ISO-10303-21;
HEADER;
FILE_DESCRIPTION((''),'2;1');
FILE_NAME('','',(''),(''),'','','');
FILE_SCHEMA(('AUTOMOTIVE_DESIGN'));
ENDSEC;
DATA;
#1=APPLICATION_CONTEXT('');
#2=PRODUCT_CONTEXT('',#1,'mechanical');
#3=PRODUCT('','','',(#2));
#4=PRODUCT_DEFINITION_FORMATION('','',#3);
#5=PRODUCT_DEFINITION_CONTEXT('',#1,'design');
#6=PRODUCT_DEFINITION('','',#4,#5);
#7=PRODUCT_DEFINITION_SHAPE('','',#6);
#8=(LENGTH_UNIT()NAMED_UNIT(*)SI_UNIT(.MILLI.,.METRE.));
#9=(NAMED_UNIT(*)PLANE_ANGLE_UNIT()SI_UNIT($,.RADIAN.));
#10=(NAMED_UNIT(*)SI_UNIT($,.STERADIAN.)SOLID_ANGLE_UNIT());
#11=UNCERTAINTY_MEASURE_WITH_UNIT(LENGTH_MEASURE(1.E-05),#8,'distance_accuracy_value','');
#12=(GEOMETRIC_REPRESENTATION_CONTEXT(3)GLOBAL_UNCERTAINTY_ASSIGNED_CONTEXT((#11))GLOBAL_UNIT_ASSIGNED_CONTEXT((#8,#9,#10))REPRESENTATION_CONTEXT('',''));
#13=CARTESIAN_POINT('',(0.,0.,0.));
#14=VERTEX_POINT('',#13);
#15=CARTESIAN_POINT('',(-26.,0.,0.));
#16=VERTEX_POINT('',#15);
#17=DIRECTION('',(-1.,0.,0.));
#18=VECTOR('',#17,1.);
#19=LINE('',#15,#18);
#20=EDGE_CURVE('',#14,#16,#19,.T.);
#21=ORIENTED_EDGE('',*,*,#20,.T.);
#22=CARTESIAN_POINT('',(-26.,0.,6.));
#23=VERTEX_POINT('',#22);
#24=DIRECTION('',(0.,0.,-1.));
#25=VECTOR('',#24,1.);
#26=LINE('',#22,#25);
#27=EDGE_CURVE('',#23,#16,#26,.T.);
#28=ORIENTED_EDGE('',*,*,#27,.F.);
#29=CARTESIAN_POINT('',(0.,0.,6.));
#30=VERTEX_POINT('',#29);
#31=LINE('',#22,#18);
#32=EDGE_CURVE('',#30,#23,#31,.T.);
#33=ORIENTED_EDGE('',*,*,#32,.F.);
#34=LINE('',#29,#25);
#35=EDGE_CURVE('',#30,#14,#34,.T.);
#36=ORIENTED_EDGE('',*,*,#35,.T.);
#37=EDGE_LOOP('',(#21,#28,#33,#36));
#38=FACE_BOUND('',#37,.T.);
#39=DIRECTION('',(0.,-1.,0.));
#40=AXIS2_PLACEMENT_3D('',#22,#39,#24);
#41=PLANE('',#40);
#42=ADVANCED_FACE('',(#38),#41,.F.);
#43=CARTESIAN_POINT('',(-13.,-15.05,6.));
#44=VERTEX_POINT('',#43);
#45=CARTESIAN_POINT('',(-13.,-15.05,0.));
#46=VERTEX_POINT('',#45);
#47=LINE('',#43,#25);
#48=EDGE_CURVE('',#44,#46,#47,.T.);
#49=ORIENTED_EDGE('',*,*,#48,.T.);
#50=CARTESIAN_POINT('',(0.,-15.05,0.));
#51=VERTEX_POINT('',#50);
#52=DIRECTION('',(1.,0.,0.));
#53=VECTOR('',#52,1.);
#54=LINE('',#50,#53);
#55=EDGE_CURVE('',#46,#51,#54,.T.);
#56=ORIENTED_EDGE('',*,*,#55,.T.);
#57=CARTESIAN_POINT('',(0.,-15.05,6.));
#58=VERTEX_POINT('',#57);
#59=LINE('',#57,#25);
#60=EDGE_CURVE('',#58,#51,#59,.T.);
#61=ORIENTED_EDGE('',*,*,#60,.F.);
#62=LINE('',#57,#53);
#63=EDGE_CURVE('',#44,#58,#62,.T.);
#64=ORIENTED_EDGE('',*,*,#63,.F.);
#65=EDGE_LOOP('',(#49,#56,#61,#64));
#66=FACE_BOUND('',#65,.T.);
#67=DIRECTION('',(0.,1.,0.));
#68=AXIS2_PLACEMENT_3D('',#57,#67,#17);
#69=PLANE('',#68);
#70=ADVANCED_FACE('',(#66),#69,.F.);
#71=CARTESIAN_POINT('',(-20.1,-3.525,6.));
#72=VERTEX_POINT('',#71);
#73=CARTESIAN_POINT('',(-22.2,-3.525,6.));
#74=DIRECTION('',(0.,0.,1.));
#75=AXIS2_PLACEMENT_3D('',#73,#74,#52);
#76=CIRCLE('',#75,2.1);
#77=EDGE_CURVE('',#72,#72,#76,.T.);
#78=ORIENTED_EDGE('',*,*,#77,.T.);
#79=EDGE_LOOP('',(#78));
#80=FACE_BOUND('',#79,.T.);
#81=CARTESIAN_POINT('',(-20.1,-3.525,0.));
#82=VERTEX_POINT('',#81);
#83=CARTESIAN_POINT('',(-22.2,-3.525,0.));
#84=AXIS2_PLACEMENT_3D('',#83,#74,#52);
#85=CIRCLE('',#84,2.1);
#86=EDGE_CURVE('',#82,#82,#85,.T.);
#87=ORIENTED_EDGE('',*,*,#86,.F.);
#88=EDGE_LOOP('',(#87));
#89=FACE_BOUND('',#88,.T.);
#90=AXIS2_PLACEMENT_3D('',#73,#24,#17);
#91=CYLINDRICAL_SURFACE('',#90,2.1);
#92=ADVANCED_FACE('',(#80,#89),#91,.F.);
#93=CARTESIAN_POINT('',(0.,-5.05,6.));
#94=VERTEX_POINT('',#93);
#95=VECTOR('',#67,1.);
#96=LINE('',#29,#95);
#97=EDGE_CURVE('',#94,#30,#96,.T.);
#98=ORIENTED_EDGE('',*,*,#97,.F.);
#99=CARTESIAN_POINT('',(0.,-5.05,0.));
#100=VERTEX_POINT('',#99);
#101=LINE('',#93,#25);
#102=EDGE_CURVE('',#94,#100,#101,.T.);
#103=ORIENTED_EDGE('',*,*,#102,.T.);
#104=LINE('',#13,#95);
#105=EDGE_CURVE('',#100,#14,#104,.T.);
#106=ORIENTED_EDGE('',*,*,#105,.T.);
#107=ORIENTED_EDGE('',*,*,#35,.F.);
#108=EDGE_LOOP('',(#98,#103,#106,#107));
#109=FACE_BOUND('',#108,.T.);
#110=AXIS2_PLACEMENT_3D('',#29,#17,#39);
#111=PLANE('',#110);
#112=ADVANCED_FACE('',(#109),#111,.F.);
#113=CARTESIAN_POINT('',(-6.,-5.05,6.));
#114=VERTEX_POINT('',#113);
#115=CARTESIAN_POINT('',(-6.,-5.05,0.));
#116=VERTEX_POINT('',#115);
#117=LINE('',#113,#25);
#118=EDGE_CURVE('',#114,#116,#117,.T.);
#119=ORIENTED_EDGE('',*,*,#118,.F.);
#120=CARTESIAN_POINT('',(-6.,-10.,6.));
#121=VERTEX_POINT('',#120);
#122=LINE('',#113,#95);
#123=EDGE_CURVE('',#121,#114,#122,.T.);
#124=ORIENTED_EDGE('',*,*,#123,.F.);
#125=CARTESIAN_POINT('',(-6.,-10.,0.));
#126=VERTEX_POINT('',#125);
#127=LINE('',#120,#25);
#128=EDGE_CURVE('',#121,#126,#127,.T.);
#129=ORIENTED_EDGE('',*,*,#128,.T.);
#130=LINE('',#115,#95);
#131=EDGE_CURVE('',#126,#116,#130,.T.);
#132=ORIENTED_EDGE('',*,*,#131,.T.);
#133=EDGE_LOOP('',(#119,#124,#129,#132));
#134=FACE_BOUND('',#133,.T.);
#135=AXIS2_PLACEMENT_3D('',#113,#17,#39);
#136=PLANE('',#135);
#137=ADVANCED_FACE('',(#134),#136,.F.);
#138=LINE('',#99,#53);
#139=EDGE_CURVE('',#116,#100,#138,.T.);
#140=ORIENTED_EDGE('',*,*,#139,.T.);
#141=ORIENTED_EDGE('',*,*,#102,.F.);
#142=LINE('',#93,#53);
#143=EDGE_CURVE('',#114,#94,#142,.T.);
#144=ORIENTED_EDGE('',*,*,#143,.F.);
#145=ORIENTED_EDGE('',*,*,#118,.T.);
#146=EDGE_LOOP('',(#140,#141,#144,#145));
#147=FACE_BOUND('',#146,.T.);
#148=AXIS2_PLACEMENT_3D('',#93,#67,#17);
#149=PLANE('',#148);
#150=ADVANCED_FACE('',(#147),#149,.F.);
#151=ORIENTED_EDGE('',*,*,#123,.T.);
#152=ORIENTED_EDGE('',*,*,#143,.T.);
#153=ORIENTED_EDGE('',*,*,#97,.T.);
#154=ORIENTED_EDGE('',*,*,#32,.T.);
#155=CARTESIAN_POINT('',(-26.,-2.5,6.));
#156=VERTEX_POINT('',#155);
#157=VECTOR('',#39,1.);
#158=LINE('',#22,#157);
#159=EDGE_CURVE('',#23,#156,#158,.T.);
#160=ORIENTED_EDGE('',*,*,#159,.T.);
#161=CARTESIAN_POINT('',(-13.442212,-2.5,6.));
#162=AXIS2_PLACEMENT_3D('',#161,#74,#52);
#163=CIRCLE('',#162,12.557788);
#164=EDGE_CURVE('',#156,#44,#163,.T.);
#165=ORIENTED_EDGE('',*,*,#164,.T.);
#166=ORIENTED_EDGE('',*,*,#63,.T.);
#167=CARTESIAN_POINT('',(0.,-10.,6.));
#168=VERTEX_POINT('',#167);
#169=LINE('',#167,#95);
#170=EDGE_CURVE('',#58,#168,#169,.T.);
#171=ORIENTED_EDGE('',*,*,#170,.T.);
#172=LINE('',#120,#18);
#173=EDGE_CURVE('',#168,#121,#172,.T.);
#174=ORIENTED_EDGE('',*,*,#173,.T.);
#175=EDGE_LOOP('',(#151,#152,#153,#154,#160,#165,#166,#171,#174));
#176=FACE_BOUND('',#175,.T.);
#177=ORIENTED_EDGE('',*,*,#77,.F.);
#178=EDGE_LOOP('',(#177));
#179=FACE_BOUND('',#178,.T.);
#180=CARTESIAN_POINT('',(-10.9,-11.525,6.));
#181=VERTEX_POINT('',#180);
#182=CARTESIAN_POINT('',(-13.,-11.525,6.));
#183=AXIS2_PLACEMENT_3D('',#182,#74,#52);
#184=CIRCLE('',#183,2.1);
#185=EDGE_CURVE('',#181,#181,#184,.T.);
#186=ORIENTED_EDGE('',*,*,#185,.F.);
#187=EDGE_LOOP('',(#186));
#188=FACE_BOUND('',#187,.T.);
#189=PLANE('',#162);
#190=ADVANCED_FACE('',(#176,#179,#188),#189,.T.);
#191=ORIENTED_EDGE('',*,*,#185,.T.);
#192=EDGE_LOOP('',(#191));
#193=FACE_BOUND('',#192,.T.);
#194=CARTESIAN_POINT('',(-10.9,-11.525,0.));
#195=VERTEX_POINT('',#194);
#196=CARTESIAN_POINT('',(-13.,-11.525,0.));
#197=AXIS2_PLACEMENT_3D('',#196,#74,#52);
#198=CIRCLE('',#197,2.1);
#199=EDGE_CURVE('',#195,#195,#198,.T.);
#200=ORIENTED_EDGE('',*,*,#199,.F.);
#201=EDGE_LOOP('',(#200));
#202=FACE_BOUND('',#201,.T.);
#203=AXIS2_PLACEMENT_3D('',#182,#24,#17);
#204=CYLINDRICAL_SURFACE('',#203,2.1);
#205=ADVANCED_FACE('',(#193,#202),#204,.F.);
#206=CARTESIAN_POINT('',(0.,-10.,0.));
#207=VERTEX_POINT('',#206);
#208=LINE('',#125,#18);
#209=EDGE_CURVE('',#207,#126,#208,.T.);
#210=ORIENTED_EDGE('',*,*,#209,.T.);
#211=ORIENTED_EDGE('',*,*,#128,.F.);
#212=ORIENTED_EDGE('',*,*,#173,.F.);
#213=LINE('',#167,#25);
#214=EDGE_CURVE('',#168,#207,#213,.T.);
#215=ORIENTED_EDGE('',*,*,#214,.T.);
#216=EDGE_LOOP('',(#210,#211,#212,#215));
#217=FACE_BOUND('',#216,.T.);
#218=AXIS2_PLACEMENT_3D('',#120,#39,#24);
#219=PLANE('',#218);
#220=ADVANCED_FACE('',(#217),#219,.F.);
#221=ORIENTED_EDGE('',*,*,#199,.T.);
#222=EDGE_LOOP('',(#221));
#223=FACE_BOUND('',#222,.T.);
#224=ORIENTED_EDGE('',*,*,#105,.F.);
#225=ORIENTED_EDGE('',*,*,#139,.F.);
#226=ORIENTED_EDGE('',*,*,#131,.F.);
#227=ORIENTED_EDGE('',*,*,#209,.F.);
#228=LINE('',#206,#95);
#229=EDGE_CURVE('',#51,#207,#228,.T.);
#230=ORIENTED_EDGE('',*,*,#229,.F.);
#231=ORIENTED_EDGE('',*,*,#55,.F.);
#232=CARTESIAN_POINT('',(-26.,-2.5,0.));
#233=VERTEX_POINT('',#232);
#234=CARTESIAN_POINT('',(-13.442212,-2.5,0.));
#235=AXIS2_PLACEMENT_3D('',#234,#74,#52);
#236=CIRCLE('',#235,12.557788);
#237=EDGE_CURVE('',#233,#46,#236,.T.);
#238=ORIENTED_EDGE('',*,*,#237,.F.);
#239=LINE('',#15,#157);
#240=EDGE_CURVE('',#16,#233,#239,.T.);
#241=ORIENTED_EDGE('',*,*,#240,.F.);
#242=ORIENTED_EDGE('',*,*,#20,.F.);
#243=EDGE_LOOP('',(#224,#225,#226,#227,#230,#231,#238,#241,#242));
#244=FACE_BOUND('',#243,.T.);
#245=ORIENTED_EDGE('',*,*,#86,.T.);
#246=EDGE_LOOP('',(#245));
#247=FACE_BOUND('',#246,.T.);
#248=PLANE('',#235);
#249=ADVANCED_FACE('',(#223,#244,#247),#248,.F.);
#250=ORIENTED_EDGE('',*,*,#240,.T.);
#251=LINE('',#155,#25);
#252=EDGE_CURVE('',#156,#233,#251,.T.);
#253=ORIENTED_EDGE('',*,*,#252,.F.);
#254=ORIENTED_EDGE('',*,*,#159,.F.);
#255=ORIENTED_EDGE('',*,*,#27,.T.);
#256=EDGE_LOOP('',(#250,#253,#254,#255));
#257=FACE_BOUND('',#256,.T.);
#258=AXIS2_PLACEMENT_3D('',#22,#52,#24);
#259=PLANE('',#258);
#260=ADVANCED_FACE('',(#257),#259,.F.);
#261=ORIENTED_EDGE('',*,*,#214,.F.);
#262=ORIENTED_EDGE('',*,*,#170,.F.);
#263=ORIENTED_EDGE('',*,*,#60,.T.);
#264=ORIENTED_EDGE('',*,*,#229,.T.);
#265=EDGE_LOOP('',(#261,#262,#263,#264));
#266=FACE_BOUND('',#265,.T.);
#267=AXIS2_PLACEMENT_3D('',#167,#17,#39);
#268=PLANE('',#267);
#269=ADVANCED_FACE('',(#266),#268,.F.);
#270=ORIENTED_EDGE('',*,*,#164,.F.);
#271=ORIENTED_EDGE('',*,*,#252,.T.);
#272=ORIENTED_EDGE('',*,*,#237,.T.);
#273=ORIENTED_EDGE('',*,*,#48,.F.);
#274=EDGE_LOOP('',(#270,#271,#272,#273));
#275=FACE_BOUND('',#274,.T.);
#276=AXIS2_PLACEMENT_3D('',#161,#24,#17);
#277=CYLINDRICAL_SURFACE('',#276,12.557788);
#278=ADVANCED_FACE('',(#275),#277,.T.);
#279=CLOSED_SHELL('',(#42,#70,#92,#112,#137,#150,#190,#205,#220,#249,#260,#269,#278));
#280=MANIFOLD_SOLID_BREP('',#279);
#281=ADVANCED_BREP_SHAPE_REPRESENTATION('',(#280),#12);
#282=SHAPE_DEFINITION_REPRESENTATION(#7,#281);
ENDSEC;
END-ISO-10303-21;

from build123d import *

# Parameters (mm, degrees)
ESQUISSE1_R        = 2.1
BOSS_EXTRU_1_DEPTH = 6


with BuildPart() as part:
    # Esquisse1 → Boss.-Extru.1 (new body)
    with BuildSketch(Plane.XY):
        with BuildLine():
            Line((0, 0), (0, -5.05))
            Line((0, -5.05), (-6, -5.05))
            Line((-6, -5.05), (-6, -10))
            Line((-6, -10), (0, -10))
            Line((0, -10), (0, -15.05))
            Line((0, -15.05), (-13, -15.05))
            ThreePointArc((-13, -15.05), (-22.164162355, -11.534690089), (-26, -2.5))
            Line((-26, -2.5), (-26, 0))
            Line((-26, 0), (0, 0))
        make_face()
        with Locations((-22.2, -3.525)):
            Circle(ESQUISSE1_R, mode=Mode.SUBTRACT)
        with Locations((-13, -11.525)):
            Circle(ESQUISSE1_R, mode=Mode.SUBTRACT)
    extrude(amount=BOSS_EXTRU_1_DEPTH)


solid = part.part
